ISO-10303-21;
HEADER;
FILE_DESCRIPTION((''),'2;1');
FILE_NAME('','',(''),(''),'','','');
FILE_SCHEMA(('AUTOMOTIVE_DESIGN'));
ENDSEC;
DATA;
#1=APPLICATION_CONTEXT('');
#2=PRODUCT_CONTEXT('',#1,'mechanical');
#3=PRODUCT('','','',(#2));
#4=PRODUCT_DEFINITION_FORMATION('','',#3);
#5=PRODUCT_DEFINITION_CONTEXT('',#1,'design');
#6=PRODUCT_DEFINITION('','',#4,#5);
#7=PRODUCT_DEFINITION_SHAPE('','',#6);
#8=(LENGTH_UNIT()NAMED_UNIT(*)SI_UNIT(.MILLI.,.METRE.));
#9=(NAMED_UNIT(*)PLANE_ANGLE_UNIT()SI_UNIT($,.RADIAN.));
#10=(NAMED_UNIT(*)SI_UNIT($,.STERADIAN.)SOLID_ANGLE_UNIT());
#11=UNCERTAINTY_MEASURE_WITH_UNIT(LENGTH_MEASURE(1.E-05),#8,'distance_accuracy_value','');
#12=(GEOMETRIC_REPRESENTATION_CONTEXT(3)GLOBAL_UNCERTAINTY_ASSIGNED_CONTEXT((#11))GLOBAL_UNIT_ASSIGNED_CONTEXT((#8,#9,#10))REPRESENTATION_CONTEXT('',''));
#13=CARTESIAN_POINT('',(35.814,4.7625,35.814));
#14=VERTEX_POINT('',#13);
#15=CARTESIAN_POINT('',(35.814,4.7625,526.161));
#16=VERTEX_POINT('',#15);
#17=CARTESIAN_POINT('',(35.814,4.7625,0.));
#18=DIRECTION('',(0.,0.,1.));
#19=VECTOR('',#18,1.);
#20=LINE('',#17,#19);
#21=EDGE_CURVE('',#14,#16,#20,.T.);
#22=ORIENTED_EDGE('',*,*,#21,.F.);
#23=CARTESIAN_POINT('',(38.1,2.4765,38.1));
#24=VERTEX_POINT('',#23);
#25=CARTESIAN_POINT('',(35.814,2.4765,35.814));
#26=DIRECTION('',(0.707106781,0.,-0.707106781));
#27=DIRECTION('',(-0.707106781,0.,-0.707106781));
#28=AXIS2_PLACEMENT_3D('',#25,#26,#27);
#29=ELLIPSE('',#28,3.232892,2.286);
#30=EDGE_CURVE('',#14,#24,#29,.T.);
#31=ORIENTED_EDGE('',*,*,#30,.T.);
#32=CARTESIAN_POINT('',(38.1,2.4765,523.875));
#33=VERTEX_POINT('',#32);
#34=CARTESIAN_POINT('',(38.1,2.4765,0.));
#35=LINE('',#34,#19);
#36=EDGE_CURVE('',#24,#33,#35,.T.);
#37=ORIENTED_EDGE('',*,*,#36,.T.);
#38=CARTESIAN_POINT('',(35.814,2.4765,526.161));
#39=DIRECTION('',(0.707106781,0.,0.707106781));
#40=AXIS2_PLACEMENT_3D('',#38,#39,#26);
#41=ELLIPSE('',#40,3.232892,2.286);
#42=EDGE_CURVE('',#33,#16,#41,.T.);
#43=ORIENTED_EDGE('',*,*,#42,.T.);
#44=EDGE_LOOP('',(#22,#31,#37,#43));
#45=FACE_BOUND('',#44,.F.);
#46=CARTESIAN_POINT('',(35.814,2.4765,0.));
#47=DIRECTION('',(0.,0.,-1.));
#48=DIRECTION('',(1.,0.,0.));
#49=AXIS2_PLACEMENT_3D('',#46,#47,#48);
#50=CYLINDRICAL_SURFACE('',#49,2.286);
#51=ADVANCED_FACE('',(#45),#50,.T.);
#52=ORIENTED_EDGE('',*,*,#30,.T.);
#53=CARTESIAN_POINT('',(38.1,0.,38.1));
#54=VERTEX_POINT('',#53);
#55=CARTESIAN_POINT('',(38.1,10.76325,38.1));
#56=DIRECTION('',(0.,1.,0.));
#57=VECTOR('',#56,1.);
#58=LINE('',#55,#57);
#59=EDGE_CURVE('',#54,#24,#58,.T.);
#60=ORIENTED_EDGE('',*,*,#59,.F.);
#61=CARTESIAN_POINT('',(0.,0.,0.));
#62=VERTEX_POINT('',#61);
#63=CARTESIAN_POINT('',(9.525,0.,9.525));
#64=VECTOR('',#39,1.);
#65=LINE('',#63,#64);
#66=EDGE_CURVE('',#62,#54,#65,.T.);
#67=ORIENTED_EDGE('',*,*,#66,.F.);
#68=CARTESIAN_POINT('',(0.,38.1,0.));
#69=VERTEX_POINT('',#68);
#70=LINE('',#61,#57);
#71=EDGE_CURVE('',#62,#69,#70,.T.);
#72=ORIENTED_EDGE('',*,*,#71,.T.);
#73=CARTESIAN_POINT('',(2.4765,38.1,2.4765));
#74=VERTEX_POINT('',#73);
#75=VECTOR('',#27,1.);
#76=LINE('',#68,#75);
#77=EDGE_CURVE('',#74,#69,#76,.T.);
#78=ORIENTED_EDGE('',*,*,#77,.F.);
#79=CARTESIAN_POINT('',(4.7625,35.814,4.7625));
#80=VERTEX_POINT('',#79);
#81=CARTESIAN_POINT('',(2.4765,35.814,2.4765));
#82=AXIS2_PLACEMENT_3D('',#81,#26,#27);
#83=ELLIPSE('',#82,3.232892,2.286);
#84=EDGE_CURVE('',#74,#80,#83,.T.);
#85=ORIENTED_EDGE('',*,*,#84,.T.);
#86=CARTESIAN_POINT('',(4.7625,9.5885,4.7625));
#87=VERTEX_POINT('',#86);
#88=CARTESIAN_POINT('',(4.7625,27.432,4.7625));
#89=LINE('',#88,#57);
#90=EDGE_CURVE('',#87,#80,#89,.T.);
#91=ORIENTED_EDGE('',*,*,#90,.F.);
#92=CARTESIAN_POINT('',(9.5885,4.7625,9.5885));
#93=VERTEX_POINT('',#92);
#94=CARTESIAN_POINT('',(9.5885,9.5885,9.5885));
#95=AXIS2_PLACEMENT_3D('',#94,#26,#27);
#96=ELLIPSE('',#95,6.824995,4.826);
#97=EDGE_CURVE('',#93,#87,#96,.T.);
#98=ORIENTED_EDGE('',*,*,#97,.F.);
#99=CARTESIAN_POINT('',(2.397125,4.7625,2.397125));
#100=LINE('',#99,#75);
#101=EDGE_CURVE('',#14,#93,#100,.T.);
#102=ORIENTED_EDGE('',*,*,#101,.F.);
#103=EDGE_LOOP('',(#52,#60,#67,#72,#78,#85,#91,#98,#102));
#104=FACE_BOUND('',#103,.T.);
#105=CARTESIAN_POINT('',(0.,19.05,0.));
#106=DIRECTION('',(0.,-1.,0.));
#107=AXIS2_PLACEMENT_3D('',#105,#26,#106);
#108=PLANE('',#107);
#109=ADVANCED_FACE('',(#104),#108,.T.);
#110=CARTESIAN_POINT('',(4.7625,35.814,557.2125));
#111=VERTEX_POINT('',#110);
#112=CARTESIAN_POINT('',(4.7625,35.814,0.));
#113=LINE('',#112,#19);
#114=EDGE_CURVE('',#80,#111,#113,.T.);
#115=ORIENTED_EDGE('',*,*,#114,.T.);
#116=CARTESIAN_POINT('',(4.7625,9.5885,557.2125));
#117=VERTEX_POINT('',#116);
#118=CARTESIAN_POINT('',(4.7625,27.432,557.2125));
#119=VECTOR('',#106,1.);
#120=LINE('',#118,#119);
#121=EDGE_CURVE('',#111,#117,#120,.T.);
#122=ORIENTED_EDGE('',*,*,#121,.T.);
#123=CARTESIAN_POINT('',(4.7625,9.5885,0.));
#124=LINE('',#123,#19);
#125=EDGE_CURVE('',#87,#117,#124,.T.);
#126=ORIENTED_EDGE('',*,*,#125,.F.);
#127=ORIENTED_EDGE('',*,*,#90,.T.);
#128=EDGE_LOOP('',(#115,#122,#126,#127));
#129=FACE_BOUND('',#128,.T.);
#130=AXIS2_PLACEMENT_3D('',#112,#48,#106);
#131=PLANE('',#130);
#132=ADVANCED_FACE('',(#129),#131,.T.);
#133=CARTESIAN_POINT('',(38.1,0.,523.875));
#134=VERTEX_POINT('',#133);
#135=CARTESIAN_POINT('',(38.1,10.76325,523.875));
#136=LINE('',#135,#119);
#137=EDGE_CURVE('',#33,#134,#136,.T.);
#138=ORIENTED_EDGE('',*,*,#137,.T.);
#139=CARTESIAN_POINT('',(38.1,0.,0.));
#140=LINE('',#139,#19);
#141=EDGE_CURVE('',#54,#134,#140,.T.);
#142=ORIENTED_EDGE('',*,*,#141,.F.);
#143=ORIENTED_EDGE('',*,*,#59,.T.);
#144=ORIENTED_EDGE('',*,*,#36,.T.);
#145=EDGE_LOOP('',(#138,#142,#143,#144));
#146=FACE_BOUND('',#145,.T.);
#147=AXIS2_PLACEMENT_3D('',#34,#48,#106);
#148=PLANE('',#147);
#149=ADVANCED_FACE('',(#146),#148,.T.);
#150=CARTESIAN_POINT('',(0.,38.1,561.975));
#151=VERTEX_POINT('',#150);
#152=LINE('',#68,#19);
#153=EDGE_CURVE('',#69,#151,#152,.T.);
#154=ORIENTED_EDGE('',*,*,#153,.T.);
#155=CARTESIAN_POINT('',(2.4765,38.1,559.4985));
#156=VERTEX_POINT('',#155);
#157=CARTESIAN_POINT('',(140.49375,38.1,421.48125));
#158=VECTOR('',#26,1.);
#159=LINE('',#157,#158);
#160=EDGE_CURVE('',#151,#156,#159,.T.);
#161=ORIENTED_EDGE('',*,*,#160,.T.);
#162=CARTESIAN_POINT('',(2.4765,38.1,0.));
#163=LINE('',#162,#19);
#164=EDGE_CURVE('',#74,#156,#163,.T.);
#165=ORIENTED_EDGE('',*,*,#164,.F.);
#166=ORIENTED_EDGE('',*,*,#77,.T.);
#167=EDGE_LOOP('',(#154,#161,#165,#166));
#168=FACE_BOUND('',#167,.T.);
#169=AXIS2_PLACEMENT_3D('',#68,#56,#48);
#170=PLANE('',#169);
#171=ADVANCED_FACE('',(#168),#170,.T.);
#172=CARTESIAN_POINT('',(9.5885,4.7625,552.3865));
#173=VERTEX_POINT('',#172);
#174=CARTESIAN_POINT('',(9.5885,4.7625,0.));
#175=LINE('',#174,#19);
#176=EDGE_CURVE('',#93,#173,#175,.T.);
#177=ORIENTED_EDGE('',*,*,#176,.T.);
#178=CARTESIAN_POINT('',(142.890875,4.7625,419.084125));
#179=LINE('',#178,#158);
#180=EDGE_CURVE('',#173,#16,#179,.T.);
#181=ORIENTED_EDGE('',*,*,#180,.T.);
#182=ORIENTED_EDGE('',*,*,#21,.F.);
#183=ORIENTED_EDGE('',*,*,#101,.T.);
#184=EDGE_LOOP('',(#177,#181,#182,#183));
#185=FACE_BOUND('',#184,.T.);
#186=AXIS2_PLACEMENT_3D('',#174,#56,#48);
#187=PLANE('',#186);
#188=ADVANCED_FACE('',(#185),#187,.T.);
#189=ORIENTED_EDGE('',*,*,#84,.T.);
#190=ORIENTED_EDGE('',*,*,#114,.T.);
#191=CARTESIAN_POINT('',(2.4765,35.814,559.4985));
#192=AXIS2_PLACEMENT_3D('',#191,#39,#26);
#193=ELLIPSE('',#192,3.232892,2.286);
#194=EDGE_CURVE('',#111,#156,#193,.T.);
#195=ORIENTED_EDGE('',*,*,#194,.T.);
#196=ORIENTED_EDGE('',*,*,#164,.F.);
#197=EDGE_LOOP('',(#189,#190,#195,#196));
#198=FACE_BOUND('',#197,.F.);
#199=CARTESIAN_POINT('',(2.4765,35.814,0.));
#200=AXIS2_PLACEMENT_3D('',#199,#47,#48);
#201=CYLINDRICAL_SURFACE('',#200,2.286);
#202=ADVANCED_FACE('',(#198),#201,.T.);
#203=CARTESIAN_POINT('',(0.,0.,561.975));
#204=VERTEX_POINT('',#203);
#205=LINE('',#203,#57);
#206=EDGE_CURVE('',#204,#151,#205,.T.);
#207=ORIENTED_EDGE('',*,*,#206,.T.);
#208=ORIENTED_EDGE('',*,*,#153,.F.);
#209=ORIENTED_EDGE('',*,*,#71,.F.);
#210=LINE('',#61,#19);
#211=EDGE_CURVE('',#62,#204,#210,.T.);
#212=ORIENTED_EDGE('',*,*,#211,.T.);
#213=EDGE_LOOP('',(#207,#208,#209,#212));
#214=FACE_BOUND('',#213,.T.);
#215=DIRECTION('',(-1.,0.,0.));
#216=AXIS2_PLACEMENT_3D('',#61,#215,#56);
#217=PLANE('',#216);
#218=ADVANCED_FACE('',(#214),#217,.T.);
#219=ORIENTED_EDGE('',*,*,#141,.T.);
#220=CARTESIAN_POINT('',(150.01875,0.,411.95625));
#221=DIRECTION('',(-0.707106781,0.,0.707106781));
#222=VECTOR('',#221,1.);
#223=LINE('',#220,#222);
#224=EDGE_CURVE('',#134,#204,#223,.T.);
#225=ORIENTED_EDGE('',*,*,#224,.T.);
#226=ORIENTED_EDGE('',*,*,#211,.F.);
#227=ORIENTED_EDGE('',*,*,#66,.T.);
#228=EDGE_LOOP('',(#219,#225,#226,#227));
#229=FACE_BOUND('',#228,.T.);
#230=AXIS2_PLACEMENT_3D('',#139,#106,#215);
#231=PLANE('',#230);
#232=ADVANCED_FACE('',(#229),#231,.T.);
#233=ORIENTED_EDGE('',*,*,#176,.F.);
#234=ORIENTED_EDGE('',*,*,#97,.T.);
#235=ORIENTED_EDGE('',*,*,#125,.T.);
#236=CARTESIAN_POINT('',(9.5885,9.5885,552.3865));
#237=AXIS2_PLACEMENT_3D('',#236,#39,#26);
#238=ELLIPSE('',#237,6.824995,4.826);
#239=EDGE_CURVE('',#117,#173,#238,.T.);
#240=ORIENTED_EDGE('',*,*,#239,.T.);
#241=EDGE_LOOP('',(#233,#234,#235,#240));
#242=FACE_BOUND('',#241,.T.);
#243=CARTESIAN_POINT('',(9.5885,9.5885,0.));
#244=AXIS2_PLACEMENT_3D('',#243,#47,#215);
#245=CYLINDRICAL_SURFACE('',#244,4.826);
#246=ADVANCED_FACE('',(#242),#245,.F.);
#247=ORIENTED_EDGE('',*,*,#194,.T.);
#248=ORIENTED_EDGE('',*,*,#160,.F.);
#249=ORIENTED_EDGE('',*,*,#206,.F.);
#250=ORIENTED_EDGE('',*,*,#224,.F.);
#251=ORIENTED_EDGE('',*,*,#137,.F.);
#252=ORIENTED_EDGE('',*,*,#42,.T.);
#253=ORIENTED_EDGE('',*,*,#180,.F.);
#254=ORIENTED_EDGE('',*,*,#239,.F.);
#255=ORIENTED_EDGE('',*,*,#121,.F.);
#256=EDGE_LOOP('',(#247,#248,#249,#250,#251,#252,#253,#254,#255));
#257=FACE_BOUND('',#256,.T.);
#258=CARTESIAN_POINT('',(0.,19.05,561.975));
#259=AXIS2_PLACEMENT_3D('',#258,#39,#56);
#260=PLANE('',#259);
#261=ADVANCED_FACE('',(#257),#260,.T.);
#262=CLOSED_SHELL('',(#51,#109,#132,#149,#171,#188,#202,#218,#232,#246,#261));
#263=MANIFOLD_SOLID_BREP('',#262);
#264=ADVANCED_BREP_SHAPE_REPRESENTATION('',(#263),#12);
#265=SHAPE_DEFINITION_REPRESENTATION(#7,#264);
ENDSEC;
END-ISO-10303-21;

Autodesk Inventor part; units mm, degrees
ref_plane "Start plane" through (0, 0, 0) normal (0, 0, 1) x (1, 0, 0)
ref_plane "End plane" through (0, 0, 561.975) normal (0, 0, 1) x (1, 0, 0)
sketch "Sketch" plane through (0, 0, 0) normal (0, 0, 1) x (1, 0, 0)
  line L0 (38.1, 0) -> (0, 0)
  line L1 (0, 0) -> (0, 38.1)
  line L2 (0, 38.1) -> (2.4765, 38.1)
  line L3 (4.7625, 35.814) -> (4.7625, 9.5885)
  line L4 (9.5885, 4.7625) -> (35.814, 4.7625)
  line L5 (38.1, 2.4765) -> (38.1, 0)
  line L6 (0, -11.0414) -> (0, 31.5385) construction
  line L7 (-11.0414, 0) -> (31.5385, 0) construction
  arc A0 (4.7625, 9.5885) -> (9.5885, 4.7625) centre (9.5885, 9.5885) ccw
  arc A1 (4.7625, 35.814) -> (2.4765, 38.1) centre (2.4765, 35.814) ccw
  arc A2 (38.1, 2.4765) -> (35.814, 4.7625) centre (35.814, 2.4765) ccw
  line L8 (0, 48.4964) -> (0, -20.9644) construction
  line L9 (-20.9644, 0) -> (48.4964, 0) construction
  point P0 (4.7625, 38.1)
  point P1 (4.7625, 4.7625)
  point P2 (38.1, 4.7625)
  dimension "d0" = 38.1
  dimension "d1" = 38.1
  dimension "d2" = 4.7625
  dimension "d3" = 4.7625
  dimension "d10" = 0
  dimension "d11" = 0
  dimension "d14" = 4.826
  dimension "d15" = 2.286
extrude "Body" add sketch "Sketch" along normal up to surface (561.975 mm away) from surface at 0
sketch "Sketch3" plane through (0, 0, 0) normal (0, 0, 1) x (1, 0, 0)
  line L0 (0, 0) -> (10, 0)
ref_plane "Work Plane3" through (0, 0, 0) normal (0, -1, 0) x (1, 0, 0)
sketch "Sketch4" plane through (0, 0, 0) normal (0, -1, 0) x (1, 0, 0)
  line L0 (-2, 0) -> (12, 0)
  line L1 (-2, 561.975) -> (12, 561.975)
  dimension "d17" = 561.975
ref_plane "Work Plane4" through (0, 19.05, 561.975) normal (0.7071, 0, 0.7071) x (0.7071, 0, -0.7071)
split "Split1" plane through (0, 19.05, 561.975) removes the side toward (0.7071, 0, 0.7071)
ref_plane "Work Plane5" through (0, 19.05, 0) normal (0.7071, 0, -0.7071) x (-0.7071, 0, -0.7071)
split "Split2" plane through (0, 19.05, 0) removes the side toward (0.7071, 0, -0.7071)
equation "\"d0\" = G_H"
equation "\"d1\" = G_H"
equation "\"d2\" = G_T"
equation "\"d3\" = G_T"
equation "\"d14\" = G_IR"
equation "\"d15\" = G_ER"
equation "\"d4\" = G_L"
equation "\"G_H\" = 38.1"
equation "\"G_T\" = 4.7625"
equation "\"G_ER\" = 2.286"
equation "\"G_IR\" = 4.826"
equation "\"G_L\" = d17"
equation "\"ex\" = 0"
equation "\"G_OFFSET_START\" = 0"
equation "\"G_OFFSET_END\" = 0"
equation "\"d13\" = G_OFFSET_END + B_L"
equation "\"B_L\" = 561.975"
properties part number "AISC - L 1.5 x 1.5 x 3/16 - 22.125" material "Aluminum 6061-AHC"
